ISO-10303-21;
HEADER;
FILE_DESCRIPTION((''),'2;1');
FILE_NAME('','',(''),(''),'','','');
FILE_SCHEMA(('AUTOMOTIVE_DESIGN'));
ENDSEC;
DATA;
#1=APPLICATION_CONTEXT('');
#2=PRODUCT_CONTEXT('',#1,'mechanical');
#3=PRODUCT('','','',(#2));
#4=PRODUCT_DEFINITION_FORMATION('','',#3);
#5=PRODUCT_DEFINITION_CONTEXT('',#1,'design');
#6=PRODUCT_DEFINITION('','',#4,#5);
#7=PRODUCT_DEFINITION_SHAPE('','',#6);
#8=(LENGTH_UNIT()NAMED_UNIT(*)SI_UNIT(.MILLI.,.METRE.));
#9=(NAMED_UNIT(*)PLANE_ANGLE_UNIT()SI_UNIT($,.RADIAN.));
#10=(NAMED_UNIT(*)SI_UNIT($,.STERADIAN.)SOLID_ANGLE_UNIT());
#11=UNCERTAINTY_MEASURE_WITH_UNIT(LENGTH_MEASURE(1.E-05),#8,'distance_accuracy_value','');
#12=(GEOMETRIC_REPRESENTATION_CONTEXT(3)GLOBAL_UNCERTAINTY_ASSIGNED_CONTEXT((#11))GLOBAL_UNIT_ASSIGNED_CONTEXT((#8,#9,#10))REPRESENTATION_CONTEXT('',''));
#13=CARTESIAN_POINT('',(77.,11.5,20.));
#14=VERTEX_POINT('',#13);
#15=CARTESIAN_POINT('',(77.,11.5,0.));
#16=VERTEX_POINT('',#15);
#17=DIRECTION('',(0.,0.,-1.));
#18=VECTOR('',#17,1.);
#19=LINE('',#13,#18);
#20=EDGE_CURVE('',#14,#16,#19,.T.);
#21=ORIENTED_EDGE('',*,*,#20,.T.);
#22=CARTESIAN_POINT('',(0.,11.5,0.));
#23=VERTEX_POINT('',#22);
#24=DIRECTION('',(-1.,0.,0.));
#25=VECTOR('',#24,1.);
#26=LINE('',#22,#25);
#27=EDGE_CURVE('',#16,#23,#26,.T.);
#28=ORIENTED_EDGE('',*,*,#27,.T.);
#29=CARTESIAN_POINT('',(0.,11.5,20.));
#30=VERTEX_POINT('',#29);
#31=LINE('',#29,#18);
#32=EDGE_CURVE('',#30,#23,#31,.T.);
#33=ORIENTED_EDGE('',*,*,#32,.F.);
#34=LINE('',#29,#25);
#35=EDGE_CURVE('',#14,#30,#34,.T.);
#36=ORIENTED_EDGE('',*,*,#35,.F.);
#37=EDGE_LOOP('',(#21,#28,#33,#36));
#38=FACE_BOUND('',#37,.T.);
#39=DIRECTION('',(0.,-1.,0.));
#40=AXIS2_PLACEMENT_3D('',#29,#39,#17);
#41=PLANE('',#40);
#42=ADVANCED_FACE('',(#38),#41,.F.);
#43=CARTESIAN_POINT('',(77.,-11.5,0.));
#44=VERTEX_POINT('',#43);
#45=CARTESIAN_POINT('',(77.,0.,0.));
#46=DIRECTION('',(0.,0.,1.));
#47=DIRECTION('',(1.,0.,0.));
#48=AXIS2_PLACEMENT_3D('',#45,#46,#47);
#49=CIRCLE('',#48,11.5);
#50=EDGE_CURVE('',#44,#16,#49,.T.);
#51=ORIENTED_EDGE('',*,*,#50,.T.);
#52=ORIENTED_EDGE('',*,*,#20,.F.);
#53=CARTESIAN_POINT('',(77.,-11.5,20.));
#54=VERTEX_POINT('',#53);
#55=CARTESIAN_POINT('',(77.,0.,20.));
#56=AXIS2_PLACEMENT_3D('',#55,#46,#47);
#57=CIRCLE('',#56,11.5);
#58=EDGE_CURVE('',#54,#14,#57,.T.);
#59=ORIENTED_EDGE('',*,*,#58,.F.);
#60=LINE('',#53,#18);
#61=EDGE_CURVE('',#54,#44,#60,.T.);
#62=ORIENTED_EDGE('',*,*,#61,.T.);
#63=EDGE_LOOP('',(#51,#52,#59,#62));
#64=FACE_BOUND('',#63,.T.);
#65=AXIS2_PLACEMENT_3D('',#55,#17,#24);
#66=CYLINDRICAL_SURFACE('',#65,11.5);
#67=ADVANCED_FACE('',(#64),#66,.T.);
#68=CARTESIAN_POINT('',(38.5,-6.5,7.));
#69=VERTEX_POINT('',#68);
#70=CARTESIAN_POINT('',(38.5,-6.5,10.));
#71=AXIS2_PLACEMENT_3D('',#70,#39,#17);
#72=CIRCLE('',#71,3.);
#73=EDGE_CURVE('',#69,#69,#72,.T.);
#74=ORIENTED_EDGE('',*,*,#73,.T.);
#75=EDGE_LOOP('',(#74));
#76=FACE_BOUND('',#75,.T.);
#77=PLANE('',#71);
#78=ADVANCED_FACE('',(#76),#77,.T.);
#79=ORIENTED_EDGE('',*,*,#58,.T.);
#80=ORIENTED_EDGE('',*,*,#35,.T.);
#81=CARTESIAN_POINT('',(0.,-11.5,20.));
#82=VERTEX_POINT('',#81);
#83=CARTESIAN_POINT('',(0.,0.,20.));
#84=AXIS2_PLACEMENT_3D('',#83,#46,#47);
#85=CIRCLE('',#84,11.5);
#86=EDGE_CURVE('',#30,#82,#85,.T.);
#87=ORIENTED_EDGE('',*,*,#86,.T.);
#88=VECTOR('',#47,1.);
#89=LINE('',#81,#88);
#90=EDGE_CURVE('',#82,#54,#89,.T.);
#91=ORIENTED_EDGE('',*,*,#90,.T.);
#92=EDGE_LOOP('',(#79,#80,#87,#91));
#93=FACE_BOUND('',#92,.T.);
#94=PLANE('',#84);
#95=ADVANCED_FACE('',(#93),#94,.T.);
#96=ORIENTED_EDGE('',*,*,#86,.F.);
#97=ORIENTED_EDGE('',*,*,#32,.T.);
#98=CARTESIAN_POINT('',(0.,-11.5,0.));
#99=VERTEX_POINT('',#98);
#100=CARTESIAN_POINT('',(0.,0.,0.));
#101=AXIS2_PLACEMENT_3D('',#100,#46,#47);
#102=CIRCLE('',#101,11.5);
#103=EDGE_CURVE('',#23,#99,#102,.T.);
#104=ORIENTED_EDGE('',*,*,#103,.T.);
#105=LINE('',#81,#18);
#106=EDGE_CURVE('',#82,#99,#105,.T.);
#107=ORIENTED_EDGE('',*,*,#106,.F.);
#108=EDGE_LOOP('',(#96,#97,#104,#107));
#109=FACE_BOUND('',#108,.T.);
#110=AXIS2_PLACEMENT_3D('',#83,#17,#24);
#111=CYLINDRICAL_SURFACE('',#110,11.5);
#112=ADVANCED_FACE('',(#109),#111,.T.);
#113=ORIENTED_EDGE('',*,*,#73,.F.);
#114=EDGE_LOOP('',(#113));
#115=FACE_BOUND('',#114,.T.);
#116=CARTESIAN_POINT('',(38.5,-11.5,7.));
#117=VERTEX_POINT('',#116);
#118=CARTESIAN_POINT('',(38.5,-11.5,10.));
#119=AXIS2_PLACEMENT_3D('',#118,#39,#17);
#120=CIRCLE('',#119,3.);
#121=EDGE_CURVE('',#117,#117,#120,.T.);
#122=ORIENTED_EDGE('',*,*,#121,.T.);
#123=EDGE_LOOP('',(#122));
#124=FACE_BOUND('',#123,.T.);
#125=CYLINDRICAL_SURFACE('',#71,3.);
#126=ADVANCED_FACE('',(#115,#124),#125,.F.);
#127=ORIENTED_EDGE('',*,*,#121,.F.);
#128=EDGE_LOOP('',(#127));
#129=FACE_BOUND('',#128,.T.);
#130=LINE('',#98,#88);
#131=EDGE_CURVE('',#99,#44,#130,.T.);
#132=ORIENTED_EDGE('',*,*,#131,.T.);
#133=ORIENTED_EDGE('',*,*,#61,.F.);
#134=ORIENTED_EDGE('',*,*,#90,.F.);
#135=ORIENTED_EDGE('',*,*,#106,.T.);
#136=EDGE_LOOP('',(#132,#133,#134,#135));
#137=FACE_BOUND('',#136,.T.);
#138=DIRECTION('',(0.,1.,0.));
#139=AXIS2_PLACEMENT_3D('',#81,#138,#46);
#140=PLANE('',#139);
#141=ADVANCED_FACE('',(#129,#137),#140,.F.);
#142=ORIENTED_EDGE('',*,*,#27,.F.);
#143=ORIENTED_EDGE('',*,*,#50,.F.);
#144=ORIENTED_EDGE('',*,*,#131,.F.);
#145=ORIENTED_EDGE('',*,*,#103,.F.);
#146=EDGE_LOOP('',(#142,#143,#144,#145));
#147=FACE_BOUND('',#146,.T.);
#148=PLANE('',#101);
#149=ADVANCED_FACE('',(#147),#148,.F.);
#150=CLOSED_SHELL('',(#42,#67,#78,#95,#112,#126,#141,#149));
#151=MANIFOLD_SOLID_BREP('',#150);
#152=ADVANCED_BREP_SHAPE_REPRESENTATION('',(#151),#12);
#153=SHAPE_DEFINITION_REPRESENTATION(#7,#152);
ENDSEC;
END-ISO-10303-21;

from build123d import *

# Parameters (mm, degrees)
BOSS_EXTRUDE1_DEPTH = 20
SKETCH3_R           = 3
CUT_EXTRUDE1_DEPTH  = 5


with BuildPart() as part:
    # Sketch2 → Boss-Extrude1 (new body)
    with BuildSketch(Plane.XY):
        with BuildLine():
            Line((0, 11.5), (77, 11.5))
            ThreePointArc((77, 11.5), (88.5, 0), (77, -11.5))
            Line((77, -11.5), (0, -11.5))
            ThreePointArc((0, -11.5), (-11.5, 0), (0, 11.5))
        make_face()
    extrude(amount=BOSS_EXTRUDE1_DEPTH)

    # Sketch3 → Cut-Extrude1 (cut)
    with BuildSketch(Plane.XZ.offset(11.5)):
        with Locations((38.5, 10)):
            Circle(SKETCH3_R)
    extrude(amount=-CUT_EXTRUDE1_DEPTH, mode=Mode.SUBTRACT)


solid = part.part
